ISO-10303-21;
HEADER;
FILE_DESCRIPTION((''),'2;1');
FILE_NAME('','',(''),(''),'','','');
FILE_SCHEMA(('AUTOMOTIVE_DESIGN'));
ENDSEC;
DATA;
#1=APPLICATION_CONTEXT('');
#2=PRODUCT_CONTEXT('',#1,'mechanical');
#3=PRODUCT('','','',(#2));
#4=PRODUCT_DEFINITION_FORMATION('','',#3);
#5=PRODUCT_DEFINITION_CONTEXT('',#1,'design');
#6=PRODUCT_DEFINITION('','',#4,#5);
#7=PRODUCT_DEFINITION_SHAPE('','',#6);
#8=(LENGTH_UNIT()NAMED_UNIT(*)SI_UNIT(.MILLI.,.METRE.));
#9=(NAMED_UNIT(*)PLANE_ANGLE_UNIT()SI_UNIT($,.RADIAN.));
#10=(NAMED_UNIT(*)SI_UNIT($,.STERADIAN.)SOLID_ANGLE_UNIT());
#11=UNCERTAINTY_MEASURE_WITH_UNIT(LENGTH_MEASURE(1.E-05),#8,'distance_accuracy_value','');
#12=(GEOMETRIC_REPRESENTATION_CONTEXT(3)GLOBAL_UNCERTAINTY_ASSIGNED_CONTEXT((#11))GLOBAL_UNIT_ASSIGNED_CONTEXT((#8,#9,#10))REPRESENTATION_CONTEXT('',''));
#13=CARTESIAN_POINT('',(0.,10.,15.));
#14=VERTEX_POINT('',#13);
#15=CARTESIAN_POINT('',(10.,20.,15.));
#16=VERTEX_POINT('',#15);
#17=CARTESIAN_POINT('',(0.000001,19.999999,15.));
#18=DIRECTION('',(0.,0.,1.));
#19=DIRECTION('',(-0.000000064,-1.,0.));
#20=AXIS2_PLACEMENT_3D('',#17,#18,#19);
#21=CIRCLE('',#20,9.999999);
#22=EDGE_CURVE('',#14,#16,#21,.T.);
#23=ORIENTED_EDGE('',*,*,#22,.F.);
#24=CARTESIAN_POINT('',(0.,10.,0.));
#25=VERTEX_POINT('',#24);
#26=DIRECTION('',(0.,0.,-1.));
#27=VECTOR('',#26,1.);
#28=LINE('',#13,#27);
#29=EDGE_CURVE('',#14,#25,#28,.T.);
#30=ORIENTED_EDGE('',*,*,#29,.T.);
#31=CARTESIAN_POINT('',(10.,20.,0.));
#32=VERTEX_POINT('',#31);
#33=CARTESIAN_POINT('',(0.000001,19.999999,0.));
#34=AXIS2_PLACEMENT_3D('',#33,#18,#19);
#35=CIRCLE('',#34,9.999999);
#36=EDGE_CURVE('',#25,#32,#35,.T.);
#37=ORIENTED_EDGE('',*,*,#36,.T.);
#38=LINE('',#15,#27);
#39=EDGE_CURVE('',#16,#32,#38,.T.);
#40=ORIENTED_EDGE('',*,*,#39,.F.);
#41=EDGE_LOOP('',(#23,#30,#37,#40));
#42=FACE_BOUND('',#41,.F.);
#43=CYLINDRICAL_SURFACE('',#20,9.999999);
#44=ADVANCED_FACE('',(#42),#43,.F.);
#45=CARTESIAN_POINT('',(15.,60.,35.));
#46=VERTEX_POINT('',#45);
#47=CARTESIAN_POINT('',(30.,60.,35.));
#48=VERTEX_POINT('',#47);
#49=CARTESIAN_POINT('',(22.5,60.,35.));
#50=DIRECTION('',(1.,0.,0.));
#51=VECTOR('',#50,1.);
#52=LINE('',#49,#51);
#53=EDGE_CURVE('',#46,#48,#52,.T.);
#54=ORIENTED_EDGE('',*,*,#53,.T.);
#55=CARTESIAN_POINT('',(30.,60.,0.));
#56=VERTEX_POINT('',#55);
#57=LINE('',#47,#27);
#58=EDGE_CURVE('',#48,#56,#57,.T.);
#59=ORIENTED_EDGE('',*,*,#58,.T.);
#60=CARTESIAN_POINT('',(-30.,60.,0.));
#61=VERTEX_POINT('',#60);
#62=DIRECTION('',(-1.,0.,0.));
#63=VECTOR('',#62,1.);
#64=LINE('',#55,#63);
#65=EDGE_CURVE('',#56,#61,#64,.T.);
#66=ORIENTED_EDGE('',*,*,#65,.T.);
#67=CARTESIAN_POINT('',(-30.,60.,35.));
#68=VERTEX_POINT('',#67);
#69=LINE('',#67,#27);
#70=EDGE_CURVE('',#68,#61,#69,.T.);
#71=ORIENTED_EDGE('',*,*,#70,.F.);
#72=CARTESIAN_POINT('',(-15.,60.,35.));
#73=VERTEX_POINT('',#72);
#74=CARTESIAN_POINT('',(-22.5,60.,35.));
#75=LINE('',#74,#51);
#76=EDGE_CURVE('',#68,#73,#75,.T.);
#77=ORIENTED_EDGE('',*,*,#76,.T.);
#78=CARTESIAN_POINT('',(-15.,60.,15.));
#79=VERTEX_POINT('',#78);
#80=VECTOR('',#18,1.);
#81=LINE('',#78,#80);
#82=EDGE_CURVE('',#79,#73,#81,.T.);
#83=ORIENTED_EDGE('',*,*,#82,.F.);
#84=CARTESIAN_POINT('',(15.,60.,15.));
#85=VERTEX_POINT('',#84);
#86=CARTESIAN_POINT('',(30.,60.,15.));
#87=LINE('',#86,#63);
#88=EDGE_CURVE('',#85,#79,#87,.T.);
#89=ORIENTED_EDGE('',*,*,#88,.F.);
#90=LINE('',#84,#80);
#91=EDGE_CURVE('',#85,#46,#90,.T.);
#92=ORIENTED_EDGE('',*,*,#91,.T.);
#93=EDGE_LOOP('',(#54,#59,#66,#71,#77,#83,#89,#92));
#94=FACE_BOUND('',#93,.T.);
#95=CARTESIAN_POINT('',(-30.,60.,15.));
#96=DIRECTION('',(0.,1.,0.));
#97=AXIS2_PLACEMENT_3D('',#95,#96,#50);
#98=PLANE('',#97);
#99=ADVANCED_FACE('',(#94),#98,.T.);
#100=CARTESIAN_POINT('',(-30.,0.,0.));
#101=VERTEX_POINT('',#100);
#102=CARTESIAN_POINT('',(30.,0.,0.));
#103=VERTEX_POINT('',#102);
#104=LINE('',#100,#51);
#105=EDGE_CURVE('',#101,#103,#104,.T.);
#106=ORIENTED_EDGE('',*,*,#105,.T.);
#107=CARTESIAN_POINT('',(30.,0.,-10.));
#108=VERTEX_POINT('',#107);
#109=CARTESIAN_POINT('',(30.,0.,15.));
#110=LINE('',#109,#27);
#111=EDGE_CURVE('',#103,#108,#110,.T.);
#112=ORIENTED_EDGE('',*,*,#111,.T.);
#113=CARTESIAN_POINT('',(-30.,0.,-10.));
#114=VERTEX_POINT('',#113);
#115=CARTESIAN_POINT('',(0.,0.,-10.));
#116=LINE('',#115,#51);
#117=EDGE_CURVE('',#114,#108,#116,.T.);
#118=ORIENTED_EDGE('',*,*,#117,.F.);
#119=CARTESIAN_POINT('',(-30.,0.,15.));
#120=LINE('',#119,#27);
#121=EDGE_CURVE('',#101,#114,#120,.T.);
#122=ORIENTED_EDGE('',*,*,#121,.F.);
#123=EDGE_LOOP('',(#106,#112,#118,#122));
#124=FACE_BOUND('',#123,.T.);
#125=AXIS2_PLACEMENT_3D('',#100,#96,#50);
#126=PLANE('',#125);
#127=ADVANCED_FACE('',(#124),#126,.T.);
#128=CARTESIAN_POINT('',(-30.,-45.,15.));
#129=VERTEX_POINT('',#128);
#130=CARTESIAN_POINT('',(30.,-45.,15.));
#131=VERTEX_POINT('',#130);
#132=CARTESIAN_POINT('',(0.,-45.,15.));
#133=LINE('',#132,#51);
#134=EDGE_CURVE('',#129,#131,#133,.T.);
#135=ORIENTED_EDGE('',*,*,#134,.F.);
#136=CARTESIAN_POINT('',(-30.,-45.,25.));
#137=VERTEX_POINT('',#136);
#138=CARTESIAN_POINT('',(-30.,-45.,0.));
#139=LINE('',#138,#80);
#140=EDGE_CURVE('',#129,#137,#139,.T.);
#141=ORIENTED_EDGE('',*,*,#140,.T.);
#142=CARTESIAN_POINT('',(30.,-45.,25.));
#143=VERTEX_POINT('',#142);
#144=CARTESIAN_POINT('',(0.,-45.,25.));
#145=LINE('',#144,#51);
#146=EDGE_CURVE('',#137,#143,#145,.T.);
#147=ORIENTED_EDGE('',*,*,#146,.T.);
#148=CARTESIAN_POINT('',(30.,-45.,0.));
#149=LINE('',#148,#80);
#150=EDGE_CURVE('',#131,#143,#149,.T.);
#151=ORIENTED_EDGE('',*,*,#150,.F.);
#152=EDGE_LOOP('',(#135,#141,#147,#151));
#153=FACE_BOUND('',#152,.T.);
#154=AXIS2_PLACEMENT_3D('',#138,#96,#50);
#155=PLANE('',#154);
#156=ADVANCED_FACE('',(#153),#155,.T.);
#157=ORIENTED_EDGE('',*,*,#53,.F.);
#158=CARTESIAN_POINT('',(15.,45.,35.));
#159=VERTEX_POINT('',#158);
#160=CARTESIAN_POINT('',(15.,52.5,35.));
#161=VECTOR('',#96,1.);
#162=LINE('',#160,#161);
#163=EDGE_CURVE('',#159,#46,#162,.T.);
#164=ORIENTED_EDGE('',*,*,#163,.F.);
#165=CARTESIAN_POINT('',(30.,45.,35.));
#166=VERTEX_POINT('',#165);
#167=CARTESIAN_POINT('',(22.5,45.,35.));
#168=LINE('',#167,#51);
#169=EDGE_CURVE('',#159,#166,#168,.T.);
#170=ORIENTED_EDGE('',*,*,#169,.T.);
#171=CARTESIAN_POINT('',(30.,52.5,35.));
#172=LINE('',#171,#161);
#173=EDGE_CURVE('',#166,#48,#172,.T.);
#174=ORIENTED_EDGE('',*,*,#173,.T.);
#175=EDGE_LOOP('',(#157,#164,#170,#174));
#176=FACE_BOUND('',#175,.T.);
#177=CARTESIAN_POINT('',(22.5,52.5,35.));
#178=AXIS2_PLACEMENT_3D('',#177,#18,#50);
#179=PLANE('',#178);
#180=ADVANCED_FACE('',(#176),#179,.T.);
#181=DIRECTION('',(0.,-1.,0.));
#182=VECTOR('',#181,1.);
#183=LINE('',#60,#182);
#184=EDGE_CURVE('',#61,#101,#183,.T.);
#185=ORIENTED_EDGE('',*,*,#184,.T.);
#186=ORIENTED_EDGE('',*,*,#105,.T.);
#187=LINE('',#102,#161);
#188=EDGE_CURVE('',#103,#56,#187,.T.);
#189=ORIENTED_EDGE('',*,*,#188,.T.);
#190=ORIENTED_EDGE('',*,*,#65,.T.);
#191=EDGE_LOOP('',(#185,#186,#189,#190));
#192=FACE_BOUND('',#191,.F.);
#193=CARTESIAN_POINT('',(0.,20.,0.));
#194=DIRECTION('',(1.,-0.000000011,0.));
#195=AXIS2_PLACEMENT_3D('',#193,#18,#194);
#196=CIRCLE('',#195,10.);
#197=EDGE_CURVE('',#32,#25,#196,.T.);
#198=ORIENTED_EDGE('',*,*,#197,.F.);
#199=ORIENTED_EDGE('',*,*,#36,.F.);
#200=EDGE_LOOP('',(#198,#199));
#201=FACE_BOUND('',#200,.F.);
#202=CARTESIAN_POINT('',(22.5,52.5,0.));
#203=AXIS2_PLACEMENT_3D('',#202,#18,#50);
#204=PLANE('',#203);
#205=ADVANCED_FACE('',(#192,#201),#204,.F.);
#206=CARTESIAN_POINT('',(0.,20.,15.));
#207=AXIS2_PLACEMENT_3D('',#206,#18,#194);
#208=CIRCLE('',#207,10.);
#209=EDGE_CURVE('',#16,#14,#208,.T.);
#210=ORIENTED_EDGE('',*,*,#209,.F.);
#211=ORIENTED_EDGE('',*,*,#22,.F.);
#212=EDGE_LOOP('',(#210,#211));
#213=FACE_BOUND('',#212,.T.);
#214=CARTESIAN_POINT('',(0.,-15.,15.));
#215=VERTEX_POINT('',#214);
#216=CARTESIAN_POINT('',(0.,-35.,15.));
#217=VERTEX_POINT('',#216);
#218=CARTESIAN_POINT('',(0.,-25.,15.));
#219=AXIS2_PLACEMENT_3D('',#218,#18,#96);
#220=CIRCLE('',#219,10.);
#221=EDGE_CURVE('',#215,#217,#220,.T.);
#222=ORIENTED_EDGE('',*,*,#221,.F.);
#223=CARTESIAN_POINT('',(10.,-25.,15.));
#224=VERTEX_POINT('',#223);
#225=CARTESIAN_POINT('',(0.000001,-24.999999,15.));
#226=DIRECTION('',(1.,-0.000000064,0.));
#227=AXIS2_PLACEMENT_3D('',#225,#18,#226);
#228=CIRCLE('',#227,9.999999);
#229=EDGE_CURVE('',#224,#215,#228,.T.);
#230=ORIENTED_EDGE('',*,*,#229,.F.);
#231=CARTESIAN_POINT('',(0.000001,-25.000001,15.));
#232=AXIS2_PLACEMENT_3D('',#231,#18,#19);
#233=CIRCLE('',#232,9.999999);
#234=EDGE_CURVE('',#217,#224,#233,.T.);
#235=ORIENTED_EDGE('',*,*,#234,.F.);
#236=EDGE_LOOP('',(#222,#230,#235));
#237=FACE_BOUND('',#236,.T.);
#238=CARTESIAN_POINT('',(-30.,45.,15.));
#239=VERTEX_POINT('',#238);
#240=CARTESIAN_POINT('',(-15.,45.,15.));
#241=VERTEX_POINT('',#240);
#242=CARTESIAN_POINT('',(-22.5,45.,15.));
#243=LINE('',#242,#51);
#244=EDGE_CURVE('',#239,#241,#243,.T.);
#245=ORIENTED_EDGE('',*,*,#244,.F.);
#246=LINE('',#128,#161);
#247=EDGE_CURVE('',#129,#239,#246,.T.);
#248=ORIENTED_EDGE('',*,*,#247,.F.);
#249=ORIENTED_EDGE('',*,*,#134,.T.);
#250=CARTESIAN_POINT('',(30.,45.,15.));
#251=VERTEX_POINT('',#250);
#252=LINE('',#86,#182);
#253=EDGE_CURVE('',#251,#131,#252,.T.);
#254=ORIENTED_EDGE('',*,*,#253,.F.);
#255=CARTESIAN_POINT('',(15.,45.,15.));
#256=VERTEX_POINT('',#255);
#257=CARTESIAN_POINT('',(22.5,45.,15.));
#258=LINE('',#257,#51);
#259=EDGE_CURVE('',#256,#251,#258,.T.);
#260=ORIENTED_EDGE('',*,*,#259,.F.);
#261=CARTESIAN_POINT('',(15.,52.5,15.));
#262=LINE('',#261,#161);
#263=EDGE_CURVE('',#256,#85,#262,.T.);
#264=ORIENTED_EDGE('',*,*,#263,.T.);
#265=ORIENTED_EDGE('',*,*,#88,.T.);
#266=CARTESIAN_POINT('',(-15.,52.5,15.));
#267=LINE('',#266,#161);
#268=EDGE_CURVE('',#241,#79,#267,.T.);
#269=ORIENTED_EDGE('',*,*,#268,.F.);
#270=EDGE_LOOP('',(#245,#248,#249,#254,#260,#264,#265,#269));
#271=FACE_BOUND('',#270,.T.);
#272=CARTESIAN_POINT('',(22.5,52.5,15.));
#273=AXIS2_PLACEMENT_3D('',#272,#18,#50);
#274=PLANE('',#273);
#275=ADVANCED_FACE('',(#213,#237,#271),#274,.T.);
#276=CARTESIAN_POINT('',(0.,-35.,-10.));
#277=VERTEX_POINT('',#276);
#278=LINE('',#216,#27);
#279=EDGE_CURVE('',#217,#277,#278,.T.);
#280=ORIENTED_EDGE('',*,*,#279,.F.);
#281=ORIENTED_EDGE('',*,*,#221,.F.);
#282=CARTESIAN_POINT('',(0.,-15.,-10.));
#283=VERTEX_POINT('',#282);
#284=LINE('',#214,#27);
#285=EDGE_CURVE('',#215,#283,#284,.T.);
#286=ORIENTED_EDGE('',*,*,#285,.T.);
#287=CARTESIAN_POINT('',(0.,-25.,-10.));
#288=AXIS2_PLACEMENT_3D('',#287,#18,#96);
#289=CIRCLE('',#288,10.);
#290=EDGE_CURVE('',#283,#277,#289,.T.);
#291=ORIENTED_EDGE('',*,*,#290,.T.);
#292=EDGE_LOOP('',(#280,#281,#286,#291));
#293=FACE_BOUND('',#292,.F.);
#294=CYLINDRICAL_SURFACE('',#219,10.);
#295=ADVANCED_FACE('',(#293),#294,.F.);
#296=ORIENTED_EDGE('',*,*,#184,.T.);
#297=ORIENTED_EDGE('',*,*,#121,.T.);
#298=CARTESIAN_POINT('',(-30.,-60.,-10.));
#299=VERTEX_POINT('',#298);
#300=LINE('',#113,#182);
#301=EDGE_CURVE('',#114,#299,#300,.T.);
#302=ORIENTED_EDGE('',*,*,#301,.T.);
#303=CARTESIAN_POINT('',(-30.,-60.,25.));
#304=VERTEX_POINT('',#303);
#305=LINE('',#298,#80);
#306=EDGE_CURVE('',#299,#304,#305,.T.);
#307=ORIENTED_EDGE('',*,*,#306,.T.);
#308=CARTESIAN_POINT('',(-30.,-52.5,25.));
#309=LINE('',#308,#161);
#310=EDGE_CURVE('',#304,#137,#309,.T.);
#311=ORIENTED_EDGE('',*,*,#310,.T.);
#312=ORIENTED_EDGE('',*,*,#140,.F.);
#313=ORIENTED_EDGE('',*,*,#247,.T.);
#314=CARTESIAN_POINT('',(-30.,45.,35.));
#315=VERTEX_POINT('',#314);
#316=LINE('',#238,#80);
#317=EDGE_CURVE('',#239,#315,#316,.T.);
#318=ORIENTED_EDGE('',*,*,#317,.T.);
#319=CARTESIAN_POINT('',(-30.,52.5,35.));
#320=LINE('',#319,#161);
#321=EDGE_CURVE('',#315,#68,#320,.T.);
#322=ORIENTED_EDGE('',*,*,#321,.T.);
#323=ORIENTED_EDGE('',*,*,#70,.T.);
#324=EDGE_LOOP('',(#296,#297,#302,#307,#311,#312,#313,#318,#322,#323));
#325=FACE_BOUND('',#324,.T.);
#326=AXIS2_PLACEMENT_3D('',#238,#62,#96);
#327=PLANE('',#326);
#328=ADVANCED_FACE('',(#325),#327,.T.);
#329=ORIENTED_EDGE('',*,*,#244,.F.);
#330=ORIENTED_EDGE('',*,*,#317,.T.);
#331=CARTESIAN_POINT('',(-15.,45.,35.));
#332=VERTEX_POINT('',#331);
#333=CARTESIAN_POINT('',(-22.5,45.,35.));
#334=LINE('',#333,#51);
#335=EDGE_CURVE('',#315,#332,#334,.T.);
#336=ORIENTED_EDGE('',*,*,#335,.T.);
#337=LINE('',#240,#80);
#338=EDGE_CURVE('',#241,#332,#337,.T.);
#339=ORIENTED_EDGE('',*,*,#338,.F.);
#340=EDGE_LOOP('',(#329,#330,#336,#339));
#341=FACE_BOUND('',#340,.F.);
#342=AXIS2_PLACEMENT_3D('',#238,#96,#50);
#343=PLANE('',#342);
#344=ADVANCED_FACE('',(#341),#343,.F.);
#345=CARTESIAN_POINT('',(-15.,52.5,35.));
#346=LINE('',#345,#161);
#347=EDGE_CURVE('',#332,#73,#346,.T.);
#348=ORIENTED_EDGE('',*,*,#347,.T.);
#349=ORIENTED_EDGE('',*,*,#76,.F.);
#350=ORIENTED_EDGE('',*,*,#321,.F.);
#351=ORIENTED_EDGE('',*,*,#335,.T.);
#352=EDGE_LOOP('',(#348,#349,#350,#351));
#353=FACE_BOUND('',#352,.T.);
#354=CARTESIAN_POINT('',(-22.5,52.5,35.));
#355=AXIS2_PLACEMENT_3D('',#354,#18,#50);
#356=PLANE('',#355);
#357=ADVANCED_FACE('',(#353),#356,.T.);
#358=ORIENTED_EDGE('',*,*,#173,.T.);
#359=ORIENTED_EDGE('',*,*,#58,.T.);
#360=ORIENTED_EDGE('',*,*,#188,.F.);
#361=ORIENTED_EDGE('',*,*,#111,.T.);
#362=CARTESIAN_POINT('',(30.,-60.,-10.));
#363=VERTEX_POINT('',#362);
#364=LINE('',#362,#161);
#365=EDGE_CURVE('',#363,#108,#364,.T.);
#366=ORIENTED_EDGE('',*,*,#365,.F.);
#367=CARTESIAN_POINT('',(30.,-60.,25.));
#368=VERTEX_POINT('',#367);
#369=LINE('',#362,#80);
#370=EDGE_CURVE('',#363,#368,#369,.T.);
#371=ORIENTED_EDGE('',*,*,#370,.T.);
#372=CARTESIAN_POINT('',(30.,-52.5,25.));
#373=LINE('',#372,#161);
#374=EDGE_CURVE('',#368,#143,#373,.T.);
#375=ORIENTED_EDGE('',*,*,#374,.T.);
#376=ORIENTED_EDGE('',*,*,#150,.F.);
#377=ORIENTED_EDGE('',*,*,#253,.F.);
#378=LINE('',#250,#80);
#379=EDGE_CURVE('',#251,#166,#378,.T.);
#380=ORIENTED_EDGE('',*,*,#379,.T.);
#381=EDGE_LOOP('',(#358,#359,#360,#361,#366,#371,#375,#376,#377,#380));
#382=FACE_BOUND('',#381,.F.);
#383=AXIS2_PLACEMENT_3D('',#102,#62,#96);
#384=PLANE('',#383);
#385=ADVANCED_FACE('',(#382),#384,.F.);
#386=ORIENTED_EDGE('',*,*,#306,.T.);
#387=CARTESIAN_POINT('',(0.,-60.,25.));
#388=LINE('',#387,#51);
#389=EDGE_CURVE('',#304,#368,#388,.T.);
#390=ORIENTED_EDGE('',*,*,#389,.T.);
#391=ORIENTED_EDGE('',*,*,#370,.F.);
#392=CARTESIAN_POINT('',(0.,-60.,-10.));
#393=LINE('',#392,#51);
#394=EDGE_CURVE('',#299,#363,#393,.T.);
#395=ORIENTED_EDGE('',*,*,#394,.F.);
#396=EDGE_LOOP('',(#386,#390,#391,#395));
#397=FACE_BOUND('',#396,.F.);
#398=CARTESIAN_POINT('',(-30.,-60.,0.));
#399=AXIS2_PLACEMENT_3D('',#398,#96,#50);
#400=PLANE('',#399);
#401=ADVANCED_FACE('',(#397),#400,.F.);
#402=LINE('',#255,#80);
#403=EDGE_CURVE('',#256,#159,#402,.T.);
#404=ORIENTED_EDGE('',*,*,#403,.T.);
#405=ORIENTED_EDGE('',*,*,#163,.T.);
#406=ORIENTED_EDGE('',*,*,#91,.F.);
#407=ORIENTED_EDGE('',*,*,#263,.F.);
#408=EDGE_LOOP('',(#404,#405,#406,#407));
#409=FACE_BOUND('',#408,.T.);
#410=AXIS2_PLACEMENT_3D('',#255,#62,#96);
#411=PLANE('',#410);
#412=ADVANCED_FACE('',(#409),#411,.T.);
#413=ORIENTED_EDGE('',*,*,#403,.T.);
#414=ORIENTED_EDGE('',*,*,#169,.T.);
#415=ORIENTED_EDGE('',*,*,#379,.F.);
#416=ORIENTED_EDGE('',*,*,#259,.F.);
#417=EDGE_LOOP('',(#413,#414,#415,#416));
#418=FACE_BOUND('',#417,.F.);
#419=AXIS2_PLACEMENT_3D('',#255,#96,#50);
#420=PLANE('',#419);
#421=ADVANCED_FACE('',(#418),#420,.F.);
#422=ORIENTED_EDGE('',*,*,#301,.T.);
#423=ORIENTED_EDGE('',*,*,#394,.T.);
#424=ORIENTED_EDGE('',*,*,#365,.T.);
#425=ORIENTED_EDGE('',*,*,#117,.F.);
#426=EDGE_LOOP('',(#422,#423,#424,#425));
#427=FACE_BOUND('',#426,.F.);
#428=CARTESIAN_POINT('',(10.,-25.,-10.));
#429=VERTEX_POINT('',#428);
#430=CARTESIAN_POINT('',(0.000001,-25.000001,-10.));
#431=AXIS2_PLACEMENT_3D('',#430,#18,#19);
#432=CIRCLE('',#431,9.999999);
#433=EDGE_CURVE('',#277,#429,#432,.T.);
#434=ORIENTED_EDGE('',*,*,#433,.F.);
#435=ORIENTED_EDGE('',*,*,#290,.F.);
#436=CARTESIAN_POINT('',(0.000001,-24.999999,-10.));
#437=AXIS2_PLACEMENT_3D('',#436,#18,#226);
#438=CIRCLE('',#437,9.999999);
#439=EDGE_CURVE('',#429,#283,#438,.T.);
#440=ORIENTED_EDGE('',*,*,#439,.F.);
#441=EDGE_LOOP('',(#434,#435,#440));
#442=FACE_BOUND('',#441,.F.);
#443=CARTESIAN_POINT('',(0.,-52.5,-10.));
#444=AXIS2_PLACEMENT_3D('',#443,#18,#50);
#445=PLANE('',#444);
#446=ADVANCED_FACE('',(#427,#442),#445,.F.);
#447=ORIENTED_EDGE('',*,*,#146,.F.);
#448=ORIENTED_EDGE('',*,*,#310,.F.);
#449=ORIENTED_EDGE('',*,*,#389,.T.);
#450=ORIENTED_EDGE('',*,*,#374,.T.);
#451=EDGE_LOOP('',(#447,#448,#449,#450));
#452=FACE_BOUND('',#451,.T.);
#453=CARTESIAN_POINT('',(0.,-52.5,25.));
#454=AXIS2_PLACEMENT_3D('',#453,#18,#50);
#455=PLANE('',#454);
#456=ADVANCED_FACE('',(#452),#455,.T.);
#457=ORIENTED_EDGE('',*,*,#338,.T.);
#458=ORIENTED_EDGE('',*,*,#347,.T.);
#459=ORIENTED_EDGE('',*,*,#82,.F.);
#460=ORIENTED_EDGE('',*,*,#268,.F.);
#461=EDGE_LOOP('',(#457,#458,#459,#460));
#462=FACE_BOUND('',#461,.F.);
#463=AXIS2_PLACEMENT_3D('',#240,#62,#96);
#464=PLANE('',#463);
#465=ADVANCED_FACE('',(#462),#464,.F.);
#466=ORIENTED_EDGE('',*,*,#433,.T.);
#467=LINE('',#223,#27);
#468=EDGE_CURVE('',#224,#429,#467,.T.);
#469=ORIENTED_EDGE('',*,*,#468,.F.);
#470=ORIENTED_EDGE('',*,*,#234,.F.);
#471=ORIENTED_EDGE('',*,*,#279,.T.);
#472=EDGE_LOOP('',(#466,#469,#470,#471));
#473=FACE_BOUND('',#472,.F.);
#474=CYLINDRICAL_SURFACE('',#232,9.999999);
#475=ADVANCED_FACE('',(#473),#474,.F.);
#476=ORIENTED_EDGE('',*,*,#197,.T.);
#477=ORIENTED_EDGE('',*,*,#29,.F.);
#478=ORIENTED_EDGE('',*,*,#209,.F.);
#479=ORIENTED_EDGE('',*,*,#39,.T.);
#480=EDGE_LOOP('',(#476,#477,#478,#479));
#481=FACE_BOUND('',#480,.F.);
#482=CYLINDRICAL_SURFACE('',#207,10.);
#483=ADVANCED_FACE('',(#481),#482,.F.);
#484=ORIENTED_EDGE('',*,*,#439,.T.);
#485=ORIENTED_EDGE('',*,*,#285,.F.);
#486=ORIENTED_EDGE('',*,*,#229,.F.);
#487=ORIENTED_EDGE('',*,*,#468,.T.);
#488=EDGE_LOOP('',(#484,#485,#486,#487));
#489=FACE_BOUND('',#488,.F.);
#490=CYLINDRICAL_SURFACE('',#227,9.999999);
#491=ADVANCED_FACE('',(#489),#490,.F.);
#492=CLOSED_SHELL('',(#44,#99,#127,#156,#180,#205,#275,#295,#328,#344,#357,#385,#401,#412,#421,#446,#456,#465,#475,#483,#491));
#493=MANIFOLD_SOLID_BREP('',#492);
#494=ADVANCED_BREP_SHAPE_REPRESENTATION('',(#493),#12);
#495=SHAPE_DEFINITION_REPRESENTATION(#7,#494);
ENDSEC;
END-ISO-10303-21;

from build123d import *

# Parameters (mm, degrees)
F0_W     = 60
F0_H     = 15
F0_H_2   = 45
F1_DEPTH = 10
F2_DEPTH = 25
F3_DEPTH = 15
F0_W_2   = 15
F4_DEPTH = 15
F5_W     = 15
F5_H     = 15
F6_DEPTH = 20
F8_DEPTH = 40


with BuildPart() as f1:
    # F0 (on Top) → F1 (new body)
    with BuildSketch(Plane.XY):
        with Locations((0, -52.5)):
            Rectangle(F0_W, F0_H)
        with Locations((0, -22.5)):
            Rectangle(F0_W, F0_H_2)
    extrude(amount=-F1_DEPTH)

    # F0 (on Top) → F2 (join)
    with BuildSketch(Plane.XY):
        with Locations((0, -52.5)):
            Rectangle(F0_W, F0_H)
    extrude(amount=F2_DEPTH)

    # F0 (on Top) → F3 (join)
    with BuildSketch(Plane.XY):
        with Locations((0, -22.5)):
            Rectangle(F0_W, F0_H_2)
    extrude(amount=F3_DEPTH)

    # F0 (on Top) → F4 (join, through all)
    with BuildSketch(Plane.XY):
        with Locations((22.5, 52.5)):
            Rectangle(F0_W_2, F0_H)
        Polygon((15, 45), (15, 60), (-15, 60), (-15, 45), (-30, 45), (-30, 0), (30, 0), (30, 45), align=None)
        with Locations((-22.5, 52.5)):
            Rectangle(F0_W_2, F0_H)
    extrude(amount=F4_DEPTH)

    # F5 (on face) → F6 (join)
    with BuildSketch(Plane.XY.offset(15)):
        with Locations((-22.5, 52.5)):
            Rectangle(F5_W, F5_H)
        with Locations((22.5, 52.5)):
            Rectangle(F5_W, F5_H)
    extrude(amount=F6_DEPTH)

    # F7 (on face) → F8 (cut)
    with BuildSketch(Plane.XY.offset(15)):
        with BuildLine():
            ThreePointArc((10, 20), (-7.071068, 27.071068), (0, 10))
            ThreePointArc((0, 10), (7.071068, 12.928932), (10, 20))
        make_face()
        with BuildLine():
            Line((0, -25), (0, -35))
            ThreePointArc((0, -35), (7.071068, -32.071068), (10, -25))
            ThreePointArc((10, -25), (7.071068, -17.928932), (0, -15))
            Line((0, -15), (0, -25))
        make_face()
        with BuildLine():
            ThreePointArc((0, -15), (-10, -25), (0, -35))
            Line((0, -35), (0, -25))
            Line((0, -25), (0, -15))
        make_face()
    extrude(amount=-F8_DEPTH, mode=Mode.SUBTRACT)


solid = f1.part
